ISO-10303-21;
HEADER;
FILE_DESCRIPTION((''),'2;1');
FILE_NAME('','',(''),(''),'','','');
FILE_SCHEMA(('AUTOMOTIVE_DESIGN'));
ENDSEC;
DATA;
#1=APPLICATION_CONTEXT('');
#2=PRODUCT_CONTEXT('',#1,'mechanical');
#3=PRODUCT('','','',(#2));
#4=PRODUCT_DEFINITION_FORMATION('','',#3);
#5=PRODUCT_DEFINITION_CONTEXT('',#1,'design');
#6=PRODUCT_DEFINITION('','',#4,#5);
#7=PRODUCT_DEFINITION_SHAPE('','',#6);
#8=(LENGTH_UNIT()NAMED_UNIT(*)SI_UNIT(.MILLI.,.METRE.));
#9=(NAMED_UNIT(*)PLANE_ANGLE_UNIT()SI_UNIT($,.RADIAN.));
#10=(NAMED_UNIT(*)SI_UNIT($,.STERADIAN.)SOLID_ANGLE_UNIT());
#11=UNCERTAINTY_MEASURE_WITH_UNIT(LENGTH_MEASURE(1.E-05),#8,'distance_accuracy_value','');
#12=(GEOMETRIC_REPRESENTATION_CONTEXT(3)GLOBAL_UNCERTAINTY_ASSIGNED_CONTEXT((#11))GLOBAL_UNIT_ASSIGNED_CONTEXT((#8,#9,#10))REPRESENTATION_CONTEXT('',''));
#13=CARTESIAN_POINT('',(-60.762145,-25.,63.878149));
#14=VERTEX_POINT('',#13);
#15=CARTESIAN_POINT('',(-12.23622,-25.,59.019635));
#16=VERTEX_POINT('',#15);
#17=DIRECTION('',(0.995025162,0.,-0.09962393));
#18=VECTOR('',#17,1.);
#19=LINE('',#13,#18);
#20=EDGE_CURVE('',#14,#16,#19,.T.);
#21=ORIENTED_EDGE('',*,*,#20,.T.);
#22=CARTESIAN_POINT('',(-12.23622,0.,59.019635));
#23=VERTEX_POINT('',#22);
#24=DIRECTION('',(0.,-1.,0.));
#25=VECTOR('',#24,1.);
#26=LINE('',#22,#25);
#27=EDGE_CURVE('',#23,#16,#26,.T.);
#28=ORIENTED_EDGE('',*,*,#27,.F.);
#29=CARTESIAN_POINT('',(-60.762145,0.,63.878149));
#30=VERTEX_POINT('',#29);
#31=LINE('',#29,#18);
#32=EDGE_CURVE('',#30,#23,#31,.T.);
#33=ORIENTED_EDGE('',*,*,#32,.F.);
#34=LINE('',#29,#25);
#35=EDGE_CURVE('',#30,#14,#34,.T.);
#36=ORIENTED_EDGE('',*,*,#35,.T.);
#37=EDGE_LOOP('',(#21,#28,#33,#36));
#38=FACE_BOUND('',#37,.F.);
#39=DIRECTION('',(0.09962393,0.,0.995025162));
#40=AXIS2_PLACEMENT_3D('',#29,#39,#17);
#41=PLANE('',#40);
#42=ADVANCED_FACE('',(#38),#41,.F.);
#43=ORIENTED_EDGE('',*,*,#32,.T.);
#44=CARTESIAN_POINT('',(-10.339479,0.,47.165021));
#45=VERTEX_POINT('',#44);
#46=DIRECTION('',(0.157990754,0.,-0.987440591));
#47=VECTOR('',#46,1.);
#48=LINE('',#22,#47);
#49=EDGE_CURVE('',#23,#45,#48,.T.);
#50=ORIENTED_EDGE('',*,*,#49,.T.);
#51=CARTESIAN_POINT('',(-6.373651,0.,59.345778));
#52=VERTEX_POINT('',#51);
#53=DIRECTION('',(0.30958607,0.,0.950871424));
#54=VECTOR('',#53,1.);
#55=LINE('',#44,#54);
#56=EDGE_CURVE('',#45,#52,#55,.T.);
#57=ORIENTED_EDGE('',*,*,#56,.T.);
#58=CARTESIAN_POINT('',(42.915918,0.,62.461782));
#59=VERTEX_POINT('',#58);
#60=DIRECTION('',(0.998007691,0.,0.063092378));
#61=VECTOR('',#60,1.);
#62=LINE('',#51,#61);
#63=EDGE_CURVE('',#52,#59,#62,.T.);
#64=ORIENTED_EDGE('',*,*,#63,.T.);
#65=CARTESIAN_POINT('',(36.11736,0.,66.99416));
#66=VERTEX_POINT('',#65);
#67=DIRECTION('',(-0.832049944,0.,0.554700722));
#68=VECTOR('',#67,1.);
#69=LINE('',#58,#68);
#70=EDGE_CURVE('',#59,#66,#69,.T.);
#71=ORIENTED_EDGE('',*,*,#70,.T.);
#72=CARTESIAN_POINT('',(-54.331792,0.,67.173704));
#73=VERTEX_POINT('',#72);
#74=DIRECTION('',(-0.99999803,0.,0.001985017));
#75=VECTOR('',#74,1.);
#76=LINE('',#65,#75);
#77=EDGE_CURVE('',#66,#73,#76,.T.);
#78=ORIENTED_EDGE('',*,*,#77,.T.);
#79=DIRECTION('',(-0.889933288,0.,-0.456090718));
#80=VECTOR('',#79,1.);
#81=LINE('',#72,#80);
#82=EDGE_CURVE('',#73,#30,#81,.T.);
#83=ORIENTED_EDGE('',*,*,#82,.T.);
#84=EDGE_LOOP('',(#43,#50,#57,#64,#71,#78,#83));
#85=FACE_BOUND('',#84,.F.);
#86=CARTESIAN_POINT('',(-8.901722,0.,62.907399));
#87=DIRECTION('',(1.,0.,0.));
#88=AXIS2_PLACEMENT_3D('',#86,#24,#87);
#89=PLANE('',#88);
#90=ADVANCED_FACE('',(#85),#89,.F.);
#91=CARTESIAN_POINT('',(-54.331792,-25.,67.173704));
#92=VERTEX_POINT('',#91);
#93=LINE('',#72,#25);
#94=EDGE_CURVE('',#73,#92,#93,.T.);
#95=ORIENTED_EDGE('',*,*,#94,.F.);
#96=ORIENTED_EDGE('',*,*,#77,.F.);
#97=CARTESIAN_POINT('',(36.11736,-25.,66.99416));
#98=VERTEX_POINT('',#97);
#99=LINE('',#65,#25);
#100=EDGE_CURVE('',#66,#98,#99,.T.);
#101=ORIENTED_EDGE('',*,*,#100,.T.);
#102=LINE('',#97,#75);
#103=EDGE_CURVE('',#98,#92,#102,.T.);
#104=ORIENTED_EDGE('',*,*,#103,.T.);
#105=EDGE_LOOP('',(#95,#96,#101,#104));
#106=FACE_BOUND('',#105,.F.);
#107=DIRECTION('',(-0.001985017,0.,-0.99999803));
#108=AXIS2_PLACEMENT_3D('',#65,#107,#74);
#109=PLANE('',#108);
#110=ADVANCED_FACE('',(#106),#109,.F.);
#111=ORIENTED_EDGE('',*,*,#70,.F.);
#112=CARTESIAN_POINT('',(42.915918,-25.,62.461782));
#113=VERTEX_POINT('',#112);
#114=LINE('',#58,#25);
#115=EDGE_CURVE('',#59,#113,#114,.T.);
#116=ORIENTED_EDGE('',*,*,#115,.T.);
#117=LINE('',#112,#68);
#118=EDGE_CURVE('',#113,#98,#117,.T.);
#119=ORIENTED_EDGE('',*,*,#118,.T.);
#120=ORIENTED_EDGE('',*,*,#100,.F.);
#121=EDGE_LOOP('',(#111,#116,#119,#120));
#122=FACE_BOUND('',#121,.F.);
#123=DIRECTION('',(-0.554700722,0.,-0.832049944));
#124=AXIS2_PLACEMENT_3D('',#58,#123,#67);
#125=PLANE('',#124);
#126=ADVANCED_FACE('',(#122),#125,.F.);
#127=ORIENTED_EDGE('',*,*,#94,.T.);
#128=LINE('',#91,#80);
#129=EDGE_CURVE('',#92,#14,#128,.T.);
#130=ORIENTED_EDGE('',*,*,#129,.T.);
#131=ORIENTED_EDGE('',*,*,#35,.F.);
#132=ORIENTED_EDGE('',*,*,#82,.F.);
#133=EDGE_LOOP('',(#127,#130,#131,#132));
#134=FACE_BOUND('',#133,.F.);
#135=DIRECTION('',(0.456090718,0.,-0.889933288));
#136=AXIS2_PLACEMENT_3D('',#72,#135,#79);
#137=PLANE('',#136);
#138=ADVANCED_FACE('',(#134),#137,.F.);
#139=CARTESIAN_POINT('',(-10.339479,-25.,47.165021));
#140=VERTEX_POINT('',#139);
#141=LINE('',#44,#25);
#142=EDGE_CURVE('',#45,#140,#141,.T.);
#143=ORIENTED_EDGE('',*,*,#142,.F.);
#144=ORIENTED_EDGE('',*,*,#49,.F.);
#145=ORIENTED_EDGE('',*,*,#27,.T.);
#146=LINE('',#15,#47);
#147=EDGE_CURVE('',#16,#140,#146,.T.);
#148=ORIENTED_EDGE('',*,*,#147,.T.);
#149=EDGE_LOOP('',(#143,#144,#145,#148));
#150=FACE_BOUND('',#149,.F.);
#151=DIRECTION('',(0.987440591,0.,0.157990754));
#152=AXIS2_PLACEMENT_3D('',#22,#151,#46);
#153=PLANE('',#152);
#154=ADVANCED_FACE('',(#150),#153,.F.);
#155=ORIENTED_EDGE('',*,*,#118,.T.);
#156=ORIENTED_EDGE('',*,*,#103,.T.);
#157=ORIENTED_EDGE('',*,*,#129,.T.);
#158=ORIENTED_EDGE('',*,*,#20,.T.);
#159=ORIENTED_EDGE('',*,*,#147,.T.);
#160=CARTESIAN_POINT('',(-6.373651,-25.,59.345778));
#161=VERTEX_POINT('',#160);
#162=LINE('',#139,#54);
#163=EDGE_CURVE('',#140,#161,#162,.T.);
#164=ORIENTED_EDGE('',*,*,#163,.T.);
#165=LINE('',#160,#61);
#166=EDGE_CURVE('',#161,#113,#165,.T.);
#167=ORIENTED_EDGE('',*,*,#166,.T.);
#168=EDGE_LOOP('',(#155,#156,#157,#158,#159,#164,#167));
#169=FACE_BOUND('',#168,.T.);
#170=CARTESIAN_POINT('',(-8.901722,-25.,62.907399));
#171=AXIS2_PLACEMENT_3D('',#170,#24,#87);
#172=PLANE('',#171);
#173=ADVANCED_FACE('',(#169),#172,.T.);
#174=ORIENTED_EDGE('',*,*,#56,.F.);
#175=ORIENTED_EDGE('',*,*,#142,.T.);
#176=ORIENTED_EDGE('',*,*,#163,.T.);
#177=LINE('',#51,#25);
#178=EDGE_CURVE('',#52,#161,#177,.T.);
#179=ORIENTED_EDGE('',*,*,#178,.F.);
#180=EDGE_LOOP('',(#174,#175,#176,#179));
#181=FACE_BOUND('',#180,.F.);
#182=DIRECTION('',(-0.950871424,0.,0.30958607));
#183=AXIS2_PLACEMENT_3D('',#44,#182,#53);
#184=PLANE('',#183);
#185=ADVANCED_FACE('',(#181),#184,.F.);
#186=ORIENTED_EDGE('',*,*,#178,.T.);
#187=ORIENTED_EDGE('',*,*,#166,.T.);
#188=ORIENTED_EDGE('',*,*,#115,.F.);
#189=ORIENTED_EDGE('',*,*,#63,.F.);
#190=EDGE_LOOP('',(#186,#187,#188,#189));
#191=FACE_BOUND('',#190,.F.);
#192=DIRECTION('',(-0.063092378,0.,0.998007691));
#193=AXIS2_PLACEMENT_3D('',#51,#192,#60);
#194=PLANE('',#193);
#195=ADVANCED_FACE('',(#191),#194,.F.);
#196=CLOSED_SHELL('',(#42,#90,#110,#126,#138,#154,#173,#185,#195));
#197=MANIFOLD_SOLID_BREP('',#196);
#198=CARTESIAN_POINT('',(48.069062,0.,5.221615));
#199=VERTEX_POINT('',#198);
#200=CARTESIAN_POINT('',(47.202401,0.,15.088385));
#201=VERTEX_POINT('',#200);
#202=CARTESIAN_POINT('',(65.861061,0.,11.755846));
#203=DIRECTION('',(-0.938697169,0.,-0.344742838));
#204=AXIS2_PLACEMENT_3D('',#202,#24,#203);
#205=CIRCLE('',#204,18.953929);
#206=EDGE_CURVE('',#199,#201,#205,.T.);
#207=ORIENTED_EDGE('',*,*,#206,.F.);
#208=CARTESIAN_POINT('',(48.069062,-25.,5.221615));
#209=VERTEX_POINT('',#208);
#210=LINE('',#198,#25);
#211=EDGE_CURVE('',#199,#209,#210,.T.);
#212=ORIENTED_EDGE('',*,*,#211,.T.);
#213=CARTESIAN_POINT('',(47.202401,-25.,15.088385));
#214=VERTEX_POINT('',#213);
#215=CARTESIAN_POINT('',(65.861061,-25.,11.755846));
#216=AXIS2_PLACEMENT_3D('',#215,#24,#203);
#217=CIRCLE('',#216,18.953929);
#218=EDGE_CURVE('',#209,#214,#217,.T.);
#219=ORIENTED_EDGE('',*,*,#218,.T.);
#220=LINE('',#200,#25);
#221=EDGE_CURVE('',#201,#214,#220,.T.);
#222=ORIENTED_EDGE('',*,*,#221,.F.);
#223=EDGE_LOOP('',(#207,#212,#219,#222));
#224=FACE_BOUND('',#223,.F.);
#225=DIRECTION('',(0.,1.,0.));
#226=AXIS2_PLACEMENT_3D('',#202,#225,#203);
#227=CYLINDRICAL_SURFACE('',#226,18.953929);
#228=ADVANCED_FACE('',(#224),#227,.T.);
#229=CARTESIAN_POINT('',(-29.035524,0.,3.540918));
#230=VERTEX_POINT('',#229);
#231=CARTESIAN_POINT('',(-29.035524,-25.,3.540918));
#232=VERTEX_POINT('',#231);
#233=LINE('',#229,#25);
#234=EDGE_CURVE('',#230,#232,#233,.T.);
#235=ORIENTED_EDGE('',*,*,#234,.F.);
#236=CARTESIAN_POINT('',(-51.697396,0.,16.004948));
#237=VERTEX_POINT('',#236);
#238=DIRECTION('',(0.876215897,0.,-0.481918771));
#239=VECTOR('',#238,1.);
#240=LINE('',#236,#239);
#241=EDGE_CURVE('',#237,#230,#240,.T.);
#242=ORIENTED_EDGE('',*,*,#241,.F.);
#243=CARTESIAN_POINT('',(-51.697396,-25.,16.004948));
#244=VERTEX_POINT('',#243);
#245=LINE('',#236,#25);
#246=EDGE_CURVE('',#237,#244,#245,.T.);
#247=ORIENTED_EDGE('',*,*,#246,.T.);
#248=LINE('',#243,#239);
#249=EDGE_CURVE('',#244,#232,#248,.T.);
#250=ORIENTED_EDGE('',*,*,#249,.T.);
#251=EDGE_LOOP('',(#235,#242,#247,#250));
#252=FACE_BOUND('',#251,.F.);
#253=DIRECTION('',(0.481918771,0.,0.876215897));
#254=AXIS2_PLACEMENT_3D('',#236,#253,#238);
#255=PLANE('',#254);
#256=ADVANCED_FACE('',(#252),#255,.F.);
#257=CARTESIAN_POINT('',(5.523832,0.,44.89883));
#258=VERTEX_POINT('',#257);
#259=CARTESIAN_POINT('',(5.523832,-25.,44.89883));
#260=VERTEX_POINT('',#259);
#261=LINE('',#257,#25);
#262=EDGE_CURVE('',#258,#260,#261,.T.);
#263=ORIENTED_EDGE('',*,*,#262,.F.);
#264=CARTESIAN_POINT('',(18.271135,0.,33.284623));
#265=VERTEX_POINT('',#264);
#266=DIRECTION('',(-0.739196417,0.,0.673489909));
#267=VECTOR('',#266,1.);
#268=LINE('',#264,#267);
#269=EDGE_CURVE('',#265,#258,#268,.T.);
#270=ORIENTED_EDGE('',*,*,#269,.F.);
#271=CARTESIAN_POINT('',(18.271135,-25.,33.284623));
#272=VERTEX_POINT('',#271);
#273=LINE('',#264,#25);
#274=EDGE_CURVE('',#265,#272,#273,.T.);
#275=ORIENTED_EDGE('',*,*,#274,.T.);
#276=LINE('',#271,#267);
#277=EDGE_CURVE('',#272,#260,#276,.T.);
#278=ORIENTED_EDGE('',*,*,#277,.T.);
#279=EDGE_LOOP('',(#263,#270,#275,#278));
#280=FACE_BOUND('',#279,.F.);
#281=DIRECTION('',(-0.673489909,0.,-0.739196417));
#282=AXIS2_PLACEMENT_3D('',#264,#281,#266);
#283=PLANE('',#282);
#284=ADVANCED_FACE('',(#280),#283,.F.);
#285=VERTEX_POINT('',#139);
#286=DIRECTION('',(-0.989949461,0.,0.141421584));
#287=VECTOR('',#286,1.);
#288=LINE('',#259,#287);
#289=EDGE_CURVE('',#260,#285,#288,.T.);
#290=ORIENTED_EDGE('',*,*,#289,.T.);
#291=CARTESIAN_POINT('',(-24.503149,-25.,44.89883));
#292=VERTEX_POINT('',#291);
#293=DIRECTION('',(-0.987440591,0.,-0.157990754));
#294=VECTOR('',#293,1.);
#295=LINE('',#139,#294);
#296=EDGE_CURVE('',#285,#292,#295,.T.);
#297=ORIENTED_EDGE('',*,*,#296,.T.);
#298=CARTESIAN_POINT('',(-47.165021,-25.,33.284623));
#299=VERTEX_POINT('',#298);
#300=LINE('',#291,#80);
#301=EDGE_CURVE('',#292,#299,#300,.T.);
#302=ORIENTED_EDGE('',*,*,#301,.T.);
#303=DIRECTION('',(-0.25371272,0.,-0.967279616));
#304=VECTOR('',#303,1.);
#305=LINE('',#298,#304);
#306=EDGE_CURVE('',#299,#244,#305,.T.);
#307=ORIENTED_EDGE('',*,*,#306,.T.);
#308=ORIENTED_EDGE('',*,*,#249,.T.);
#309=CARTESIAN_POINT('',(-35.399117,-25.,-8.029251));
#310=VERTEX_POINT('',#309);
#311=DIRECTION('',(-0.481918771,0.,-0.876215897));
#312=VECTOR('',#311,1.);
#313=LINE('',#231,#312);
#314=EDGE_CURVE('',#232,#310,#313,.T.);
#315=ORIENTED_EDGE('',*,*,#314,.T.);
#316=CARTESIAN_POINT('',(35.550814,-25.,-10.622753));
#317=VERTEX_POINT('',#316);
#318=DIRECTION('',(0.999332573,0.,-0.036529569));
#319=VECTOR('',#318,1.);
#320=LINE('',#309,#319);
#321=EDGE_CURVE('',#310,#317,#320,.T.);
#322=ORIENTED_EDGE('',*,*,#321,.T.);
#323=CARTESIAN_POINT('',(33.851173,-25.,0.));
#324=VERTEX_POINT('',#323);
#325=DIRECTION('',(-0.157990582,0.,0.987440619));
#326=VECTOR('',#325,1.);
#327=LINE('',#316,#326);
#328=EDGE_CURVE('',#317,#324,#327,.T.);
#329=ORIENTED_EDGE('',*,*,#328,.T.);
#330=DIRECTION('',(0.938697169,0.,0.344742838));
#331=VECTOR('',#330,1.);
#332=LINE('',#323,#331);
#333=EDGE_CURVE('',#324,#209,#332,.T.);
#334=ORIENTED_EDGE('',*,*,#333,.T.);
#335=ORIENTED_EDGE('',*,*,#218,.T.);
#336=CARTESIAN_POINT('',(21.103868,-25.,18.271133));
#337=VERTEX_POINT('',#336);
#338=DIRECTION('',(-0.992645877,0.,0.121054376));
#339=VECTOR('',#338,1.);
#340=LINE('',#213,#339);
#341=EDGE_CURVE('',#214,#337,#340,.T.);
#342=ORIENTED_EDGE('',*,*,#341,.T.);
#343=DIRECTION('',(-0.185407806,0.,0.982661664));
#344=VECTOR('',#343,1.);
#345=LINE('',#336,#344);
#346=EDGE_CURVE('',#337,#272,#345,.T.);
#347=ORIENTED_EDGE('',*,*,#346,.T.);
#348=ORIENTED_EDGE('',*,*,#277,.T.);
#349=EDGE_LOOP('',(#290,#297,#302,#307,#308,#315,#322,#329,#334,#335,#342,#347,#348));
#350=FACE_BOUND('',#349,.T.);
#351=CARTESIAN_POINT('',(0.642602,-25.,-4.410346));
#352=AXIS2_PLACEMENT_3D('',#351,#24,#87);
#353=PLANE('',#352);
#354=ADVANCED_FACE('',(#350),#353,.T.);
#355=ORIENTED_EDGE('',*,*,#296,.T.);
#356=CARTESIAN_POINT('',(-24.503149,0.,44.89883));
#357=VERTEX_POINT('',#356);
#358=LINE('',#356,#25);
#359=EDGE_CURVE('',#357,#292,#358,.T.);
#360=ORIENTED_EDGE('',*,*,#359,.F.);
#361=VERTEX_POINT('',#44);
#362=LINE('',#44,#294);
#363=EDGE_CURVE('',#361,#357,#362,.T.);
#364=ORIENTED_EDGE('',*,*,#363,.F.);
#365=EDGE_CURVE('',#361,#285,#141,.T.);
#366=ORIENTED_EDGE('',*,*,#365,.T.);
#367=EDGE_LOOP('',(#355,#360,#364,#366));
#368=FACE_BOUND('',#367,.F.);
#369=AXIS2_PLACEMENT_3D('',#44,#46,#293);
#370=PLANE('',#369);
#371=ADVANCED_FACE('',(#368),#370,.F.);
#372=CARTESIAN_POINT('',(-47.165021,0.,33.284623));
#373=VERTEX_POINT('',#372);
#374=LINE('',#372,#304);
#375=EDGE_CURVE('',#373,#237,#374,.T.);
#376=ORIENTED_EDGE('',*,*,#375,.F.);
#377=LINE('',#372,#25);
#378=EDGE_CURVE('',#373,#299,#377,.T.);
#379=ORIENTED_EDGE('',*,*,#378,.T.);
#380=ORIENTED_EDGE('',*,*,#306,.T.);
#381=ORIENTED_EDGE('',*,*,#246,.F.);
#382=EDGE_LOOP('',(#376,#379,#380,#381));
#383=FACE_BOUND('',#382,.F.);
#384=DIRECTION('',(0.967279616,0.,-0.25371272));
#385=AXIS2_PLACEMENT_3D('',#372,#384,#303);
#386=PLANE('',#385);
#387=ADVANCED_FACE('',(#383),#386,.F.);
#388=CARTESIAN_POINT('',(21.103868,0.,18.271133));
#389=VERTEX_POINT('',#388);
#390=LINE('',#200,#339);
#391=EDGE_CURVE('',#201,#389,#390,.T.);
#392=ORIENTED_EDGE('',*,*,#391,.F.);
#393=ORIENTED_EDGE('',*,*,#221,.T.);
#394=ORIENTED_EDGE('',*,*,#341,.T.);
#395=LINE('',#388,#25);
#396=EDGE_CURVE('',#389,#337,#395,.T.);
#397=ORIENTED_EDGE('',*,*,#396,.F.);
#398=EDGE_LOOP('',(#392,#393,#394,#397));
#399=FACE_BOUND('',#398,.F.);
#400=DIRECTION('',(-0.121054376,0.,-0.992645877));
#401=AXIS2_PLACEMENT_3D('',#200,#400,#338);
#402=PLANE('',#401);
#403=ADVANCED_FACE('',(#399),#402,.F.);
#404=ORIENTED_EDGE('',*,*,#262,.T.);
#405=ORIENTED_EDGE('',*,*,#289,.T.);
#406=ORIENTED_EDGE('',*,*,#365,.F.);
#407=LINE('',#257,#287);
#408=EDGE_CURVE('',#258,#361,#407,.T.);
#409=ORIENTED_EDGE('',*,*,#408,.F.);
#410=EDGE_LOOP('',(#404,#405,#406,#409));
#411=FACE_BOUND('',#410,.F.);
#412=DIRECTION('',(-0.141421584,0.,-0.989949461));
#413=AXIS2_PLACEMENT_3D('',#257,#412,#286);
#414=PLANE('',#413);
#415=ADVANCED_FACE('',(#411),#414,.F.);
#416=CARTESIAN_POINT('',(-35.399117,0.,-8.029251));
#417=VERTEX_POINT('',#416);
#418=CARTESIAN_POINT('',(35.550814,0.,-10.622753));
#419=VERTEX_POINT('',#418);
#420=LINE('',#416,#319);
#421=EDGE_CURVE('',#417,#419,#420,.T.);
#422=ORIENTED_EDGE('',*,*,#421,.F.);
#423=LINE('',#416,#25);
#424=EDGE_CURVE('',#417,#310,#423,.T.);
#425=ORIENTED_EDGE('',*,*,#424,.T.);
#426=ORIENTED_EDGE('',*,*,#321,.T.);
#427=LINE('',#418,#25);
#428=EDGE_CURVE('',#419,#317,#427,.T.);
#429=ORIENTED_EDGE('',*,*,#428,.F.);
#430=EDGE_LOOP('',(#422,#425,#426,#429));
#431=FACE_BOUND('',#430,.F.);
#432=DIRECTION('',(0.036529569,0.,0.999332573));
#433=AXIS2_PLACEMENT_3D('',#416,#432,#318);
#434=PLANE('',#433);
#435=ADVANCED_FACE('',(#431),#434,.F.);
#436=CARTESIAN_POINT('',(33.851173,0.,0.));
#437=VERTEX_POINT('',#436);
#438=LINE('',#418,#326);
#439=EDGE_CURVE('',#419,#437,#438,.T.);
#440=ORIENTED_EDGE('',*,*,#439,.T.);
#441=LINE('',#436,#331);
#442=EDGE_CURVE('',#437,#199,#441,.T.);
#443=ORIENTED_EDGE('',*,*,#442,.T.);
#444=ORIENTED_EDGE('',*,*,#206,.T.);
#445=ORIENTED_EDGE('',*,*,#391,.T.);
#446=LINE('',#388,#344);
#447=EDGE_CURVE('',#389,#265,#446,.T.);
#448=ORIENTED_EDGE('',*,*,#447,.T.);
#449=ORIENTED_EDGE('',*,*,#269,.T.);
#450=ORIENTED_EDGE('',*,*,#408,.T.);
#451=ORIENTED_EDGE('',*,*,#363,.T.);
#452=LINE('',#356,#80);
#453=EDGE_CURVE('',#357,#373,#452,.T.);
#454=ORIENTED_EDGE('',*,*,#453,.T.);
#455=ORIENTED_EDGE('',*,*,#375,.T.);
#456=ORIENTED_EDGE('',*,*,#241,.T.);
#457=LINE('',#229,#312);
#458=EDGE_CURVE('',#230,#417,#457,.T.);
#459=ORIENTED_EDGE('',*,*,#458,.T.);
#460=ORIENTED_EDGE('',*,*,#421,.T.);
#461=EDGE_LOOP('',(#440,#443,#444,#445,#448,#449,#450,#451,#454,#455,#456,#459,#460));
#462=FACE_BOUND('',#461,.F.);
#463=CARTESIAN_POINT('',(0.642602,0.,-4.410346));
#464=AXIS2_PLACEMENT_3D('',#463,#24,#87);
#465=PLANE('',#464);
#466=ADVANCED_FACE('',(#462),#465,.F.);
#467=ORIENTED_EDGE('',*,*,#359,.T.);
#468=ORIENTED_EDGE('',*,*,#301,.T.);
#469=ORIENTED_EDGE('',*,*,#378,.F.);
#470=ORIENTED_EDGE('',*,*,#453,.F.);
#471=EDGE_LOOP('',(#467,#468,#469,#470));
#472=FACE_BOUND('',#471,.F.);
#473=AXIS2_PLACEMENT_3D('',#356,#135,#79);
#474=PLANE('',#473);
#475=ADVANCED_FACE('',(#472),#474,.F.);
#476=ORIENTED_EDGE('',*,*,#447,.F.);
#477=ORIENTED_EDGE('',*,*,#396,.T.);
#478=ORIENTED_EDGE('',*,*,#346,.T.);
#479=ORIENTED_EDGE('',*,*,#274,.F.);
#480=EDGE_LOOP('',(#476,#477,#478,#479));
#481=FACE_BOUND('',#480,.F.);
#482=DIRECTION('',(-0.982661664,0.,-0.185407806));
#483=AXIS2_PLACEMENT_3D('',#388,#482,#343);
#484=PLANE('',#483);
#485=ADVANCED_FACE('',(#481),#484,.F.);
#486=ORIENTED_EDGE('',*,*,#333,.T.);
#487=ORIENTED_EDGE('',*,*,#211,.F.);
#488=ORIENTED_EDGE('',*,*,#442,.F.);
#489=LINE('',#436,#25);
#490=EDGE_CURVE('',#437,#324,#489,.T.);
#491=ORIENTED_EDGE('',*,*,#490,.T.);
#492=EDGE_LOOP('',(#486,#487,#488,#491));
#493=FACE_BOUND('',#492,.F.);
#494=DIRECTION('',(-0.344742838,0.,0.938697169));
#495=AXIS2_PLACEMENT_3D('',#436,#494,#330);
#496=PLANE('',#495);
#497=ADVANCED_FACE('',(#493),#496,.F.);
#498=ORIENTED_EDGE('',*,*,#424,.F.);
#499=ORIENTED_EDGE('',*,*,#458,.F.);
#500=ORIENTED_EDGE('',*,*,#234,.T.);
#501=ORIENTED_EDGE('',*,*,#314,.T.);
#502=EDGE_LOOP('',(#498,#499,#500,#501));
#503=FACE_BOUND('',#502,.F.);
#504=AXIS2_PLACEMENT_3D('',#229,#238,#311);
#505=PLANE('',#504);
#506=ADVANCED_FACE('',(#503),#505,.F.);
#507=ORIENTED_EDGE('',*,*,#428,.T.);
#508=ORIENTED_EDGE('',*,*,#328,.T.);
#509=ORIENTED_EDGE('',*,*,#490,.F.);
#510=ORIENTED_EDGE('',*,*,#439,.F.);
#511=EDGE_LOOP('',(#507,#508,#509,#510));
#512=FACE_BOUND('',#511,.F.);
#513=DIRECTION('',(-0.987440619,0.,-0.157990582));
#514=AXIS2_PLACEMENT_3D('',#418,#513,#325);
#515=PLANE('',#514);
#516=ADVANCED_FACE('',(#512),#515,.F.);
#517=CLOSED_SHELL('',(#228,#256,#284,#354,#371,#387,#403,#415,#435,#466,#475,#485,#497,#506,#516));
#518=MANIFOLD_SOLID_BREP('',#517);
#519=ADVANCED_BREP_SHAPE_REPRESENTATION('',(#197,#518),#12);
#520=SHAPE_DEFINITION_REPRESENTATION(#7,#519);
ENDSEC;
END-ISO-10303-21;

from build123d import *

# Parameters (mm, degrees)
F1_DEPTH = 25


with BuildPart() as f1:
    # F0 (on Front) → F1 (new body)
    with BuildSketch(Plane.XZ):
        Polygon((33.851172775, 0), (0, 0), (-29.0355235338, 3.5409175325), (-35.3991168176, -8.029251426), (35.550814122, -10.6227528304), align=None)
        with BuildLine():
            Line((-29.0355235338, 3.5409175325), (0, 0))
            Line((0, 0), (33.851172775, 0))
            Line((33.851172775, 0), (48.0690621264, 5.2216153217))
            ThreePointArc((48.0690621264, 5.2216153217), (46.9798291481, 10.0973882653), (47.2024012344, 15.0883853545))
            Line((47.2024012344, 15.0883853545), (21.103868261, 18.2711333036))
            Line((21.103868261, 18.2711333036), (18.2711351663, 33.2846231759))
            Line((18.2711351663, 33.2846231759), (5.5238315836, 44.8988303542))
            Line((5.5238315836, 44.8988303542), (-24.5031490922, 44.8988303542))
            Line((-24.5031490922, 44.8988303542), (-47.1650213003, 33.2846231759))
            Line((-47.1650213003, 33.2846231759), (-51.6973957419, 16.0049479455))
            Line((-51.6973957419, 16.0049479455), (-29.0355235338, 3.5409175325))
        make_face()
        with BuildLine():
            ThreePointArc((47.2024012344, 15.0883853545), (46.9798291481, 10.0973882653), (48.0690621264, 5.2216153217))
            Line((48.0690621264, 5.2216153217), (65.8610612154, 11.7558464408))
            Line((65.8610612154, 11.7558464408), (56.0894581134, 14.0045979216))
            Line((56.0894581134, 14.0045979216), (47.2024012344, 15.0883853545))
        make_face()
        with BuildLine():
            Line((65.8610612154, 11.7558464408), (48.0690621264, 5.2216153217))
            ThreePointArc((48.0690621264, 5.2216153217), (69.1794289021, -6.9053390466), (84.8149897765, 11.7558464408))
            ThreePointArc((84.8149897765, 11.7558464408), (67.5338582104, 30.6358135518), (47.2024012344, 15.0883853545))
            Line((47.2024012344, 15.0883853545), (56.0894581134, 14.0045979216))
            Line((56.0894581134, 14.0045979216), (65.8610612154, 11.7558464408))
        make_face()
        Polygon((-10.3394789621, 47.1650213003), (-24.5031490922, 44.8988303542), (5.5238315836, 44.8988303542), align=None)
    extrude(amount=F1_DEPTH)


with BuildPart() as f1b:
    # F0 (on Front) → F1, piece 2 (new body)
    with BuildSketch(Plane.XZ):
        Polygon((-12.2362203028, 59.0196351923), (-10.3394789621, 47.1650213003), (-6.37365086, 59.3457780778), (42.915917933, 62.4617822468), (36.1173599958, 66.9941604137), (-54.3317920304, 67.1737038384), (-60.7621446252, 63.8781487942), align=None)
    extrude(amount=F1_DEPTH)


solid = Compound([f1.part, f1b.part])
